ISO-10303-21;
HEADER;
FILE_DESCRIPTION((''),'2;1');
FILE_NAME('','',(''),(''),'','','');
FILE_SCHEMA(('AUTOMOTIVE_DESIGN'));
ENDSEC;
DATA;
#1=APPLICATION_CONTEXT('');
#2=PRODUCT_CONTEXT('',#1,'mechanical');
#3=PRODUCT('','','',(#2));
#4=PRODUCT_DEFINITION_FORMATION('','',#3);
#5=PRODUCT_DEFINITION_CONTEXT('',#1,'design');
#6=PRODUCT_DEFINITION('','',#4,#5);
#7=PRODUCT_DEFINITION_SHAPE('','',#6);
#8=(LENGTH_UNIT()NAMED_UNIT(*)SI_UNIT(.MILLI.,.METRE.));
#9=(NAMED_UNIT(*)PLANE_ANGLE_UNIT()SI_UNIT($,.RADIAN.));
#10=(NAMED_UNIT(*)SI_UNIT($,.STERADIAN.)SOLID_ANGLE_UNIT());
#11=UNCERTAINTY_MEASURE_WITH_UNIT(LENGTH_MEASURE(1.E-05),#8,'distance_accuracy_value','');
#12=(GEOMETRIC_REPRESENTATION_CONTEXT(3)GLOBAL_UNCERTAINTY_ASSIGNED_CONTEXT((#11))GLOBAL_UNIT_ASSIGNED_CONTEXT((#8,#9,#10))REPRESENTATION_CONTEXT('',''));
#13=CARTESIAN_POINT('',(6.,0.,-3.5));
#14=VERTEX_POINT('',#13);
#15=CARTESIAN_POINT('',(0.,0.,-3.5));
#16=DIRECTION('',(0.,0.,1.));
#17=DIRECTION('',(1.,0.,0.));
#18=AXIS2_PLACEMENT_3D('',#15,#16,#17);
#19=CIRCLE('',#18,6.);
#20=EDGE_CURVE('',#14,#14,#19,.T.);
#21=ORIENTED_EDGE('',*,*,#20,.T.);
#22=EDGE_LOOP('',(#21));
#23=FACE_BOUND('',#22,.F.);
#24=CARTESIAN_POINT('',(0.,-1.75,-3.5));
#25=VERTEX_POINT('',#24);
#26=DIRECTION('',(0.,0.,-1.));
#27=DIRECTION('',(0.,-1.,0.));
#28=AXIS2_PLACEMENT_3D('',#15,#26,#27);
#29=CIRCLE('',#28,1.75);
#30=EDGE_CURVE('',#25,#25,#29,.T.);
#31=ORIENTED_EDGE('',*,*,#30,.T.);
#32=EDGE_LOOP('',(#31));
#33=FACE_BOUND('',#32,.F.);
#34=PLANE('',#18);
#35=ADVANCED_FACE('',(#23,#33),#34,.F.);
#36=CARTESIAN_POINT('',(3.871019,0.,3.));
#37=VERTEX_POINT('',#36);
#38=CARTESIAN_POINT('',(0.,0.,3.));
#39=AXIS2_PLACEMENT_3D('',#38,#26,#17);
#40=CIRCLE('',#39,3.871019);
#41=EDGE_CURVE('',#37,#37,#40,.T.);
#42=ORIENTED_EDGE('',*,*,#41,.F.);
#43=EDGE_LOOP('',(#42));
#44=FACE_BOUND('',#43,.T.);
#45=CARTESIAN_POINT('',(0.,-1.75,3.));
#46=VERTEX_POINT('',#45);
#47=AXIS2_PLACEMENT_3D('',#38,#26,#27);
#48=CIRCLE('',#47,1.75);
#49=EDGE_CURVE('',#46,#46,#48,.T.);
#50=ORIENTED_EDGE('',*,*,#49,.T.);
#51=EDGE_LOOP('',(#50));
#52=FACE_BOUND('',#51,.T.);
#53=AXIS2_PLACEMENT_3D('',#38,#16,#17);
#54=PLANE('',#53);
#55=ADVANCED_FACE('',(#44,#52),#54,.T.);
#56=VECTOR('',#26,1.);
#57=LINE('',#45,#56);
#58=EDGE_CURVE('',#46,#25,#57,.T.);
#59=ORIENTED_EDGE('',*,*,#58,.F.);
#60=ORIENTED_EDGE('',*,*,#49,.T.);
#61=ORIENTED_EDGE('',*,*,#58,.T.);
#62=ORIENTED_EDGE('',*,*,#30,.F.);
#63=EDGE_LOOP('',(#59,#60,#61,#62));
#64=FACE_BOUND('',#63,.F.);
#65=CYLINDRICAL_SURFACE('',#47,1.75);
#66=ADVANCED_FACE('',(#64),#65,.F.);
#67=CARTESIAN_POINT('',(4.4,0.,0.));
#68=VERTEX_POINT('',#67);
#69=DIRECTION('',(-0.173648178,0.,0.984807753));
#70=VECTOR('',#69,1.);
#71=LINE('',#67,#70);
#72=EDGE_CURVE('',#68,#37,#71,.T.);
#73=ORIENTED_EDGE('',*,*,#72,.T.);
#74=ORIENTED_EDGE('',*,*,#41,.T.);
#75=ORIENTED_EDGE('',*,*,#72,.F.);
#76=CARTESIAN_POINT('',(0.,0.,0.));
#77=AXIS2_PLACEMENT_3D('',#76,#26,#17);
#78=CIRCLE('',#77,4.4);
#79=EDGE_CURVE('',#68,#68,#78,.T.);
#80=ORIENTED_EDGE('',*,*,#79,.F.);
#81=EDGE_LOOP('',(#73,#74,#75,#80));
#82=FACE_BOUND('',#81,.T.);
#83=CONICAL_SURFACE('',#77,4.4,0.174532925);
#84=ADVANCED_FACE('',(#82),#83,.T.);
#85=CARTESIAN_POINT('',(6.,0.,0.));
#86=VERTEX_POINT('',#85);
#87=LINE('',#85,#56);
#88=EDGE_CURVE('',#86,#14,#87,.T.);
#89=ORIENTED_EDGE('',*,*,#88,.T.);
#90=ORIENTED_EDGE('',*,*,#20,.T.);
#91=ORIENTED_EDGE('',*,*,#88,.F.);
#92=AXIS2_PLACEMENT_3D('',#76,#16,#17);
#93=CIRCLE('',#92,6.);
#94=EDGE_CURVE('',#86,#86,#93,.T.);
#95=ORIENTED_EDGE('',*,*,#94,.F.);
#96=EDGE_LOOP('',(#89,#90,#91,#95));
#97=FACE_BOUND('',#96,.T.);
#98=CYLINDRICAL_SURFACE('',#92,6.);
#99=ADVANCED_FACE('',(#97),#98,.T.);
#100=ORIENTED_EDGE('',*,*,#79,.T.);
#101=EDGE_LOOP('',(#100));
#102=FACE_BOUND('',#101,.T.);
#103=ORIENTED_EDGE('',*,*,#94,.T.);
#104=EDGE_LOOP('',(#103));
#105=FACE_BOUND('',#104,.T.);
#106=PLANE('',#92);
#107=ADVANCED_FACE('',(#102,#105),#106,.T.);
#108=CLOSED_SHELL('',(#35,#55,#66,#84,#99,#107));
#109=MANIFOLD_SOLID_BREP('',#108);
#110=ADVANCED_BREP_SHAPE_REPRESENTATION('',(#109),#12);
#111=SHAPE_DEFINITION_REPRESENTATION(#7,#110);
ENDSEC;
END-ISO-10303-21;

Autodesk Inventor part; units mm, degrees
ref_plane "YZ Plane" through (0, 0, 0) normal (1, 0, 0) x (0, 1, 0)
ref_plane "XZ Plane" through (0, 0, 0) normal (0, 1, 0) x (-1, 0, 0)
ref_plane "XY Plane" through (0, 0, 0) normal (0, 0, 1) x (1, 0, 0)
sketch "Sketch1" plane through (0, 0, 0) normal (0, 0, 1) x (1, 0, 0)
  circle A0 centre (0, 0) radius 6
  circle A1 centre (0, 0) radius 4.4
  dimension "d0" = 12
  dimension "d1" = 8.8
extrude "Extrusion1" add sketch "Sketch1" against normal blind 3.5 contours A0 | A1
extrude "Extrusion2" add sketch "Sketch1" along normal blind 3 draft -10 contours A1
hole "Hole1" at (0, 0, 3) direction (0, 0, -1) diameter 3.5 end through all
properties part number "segment0_coupler1" material "ABS Plastic"
